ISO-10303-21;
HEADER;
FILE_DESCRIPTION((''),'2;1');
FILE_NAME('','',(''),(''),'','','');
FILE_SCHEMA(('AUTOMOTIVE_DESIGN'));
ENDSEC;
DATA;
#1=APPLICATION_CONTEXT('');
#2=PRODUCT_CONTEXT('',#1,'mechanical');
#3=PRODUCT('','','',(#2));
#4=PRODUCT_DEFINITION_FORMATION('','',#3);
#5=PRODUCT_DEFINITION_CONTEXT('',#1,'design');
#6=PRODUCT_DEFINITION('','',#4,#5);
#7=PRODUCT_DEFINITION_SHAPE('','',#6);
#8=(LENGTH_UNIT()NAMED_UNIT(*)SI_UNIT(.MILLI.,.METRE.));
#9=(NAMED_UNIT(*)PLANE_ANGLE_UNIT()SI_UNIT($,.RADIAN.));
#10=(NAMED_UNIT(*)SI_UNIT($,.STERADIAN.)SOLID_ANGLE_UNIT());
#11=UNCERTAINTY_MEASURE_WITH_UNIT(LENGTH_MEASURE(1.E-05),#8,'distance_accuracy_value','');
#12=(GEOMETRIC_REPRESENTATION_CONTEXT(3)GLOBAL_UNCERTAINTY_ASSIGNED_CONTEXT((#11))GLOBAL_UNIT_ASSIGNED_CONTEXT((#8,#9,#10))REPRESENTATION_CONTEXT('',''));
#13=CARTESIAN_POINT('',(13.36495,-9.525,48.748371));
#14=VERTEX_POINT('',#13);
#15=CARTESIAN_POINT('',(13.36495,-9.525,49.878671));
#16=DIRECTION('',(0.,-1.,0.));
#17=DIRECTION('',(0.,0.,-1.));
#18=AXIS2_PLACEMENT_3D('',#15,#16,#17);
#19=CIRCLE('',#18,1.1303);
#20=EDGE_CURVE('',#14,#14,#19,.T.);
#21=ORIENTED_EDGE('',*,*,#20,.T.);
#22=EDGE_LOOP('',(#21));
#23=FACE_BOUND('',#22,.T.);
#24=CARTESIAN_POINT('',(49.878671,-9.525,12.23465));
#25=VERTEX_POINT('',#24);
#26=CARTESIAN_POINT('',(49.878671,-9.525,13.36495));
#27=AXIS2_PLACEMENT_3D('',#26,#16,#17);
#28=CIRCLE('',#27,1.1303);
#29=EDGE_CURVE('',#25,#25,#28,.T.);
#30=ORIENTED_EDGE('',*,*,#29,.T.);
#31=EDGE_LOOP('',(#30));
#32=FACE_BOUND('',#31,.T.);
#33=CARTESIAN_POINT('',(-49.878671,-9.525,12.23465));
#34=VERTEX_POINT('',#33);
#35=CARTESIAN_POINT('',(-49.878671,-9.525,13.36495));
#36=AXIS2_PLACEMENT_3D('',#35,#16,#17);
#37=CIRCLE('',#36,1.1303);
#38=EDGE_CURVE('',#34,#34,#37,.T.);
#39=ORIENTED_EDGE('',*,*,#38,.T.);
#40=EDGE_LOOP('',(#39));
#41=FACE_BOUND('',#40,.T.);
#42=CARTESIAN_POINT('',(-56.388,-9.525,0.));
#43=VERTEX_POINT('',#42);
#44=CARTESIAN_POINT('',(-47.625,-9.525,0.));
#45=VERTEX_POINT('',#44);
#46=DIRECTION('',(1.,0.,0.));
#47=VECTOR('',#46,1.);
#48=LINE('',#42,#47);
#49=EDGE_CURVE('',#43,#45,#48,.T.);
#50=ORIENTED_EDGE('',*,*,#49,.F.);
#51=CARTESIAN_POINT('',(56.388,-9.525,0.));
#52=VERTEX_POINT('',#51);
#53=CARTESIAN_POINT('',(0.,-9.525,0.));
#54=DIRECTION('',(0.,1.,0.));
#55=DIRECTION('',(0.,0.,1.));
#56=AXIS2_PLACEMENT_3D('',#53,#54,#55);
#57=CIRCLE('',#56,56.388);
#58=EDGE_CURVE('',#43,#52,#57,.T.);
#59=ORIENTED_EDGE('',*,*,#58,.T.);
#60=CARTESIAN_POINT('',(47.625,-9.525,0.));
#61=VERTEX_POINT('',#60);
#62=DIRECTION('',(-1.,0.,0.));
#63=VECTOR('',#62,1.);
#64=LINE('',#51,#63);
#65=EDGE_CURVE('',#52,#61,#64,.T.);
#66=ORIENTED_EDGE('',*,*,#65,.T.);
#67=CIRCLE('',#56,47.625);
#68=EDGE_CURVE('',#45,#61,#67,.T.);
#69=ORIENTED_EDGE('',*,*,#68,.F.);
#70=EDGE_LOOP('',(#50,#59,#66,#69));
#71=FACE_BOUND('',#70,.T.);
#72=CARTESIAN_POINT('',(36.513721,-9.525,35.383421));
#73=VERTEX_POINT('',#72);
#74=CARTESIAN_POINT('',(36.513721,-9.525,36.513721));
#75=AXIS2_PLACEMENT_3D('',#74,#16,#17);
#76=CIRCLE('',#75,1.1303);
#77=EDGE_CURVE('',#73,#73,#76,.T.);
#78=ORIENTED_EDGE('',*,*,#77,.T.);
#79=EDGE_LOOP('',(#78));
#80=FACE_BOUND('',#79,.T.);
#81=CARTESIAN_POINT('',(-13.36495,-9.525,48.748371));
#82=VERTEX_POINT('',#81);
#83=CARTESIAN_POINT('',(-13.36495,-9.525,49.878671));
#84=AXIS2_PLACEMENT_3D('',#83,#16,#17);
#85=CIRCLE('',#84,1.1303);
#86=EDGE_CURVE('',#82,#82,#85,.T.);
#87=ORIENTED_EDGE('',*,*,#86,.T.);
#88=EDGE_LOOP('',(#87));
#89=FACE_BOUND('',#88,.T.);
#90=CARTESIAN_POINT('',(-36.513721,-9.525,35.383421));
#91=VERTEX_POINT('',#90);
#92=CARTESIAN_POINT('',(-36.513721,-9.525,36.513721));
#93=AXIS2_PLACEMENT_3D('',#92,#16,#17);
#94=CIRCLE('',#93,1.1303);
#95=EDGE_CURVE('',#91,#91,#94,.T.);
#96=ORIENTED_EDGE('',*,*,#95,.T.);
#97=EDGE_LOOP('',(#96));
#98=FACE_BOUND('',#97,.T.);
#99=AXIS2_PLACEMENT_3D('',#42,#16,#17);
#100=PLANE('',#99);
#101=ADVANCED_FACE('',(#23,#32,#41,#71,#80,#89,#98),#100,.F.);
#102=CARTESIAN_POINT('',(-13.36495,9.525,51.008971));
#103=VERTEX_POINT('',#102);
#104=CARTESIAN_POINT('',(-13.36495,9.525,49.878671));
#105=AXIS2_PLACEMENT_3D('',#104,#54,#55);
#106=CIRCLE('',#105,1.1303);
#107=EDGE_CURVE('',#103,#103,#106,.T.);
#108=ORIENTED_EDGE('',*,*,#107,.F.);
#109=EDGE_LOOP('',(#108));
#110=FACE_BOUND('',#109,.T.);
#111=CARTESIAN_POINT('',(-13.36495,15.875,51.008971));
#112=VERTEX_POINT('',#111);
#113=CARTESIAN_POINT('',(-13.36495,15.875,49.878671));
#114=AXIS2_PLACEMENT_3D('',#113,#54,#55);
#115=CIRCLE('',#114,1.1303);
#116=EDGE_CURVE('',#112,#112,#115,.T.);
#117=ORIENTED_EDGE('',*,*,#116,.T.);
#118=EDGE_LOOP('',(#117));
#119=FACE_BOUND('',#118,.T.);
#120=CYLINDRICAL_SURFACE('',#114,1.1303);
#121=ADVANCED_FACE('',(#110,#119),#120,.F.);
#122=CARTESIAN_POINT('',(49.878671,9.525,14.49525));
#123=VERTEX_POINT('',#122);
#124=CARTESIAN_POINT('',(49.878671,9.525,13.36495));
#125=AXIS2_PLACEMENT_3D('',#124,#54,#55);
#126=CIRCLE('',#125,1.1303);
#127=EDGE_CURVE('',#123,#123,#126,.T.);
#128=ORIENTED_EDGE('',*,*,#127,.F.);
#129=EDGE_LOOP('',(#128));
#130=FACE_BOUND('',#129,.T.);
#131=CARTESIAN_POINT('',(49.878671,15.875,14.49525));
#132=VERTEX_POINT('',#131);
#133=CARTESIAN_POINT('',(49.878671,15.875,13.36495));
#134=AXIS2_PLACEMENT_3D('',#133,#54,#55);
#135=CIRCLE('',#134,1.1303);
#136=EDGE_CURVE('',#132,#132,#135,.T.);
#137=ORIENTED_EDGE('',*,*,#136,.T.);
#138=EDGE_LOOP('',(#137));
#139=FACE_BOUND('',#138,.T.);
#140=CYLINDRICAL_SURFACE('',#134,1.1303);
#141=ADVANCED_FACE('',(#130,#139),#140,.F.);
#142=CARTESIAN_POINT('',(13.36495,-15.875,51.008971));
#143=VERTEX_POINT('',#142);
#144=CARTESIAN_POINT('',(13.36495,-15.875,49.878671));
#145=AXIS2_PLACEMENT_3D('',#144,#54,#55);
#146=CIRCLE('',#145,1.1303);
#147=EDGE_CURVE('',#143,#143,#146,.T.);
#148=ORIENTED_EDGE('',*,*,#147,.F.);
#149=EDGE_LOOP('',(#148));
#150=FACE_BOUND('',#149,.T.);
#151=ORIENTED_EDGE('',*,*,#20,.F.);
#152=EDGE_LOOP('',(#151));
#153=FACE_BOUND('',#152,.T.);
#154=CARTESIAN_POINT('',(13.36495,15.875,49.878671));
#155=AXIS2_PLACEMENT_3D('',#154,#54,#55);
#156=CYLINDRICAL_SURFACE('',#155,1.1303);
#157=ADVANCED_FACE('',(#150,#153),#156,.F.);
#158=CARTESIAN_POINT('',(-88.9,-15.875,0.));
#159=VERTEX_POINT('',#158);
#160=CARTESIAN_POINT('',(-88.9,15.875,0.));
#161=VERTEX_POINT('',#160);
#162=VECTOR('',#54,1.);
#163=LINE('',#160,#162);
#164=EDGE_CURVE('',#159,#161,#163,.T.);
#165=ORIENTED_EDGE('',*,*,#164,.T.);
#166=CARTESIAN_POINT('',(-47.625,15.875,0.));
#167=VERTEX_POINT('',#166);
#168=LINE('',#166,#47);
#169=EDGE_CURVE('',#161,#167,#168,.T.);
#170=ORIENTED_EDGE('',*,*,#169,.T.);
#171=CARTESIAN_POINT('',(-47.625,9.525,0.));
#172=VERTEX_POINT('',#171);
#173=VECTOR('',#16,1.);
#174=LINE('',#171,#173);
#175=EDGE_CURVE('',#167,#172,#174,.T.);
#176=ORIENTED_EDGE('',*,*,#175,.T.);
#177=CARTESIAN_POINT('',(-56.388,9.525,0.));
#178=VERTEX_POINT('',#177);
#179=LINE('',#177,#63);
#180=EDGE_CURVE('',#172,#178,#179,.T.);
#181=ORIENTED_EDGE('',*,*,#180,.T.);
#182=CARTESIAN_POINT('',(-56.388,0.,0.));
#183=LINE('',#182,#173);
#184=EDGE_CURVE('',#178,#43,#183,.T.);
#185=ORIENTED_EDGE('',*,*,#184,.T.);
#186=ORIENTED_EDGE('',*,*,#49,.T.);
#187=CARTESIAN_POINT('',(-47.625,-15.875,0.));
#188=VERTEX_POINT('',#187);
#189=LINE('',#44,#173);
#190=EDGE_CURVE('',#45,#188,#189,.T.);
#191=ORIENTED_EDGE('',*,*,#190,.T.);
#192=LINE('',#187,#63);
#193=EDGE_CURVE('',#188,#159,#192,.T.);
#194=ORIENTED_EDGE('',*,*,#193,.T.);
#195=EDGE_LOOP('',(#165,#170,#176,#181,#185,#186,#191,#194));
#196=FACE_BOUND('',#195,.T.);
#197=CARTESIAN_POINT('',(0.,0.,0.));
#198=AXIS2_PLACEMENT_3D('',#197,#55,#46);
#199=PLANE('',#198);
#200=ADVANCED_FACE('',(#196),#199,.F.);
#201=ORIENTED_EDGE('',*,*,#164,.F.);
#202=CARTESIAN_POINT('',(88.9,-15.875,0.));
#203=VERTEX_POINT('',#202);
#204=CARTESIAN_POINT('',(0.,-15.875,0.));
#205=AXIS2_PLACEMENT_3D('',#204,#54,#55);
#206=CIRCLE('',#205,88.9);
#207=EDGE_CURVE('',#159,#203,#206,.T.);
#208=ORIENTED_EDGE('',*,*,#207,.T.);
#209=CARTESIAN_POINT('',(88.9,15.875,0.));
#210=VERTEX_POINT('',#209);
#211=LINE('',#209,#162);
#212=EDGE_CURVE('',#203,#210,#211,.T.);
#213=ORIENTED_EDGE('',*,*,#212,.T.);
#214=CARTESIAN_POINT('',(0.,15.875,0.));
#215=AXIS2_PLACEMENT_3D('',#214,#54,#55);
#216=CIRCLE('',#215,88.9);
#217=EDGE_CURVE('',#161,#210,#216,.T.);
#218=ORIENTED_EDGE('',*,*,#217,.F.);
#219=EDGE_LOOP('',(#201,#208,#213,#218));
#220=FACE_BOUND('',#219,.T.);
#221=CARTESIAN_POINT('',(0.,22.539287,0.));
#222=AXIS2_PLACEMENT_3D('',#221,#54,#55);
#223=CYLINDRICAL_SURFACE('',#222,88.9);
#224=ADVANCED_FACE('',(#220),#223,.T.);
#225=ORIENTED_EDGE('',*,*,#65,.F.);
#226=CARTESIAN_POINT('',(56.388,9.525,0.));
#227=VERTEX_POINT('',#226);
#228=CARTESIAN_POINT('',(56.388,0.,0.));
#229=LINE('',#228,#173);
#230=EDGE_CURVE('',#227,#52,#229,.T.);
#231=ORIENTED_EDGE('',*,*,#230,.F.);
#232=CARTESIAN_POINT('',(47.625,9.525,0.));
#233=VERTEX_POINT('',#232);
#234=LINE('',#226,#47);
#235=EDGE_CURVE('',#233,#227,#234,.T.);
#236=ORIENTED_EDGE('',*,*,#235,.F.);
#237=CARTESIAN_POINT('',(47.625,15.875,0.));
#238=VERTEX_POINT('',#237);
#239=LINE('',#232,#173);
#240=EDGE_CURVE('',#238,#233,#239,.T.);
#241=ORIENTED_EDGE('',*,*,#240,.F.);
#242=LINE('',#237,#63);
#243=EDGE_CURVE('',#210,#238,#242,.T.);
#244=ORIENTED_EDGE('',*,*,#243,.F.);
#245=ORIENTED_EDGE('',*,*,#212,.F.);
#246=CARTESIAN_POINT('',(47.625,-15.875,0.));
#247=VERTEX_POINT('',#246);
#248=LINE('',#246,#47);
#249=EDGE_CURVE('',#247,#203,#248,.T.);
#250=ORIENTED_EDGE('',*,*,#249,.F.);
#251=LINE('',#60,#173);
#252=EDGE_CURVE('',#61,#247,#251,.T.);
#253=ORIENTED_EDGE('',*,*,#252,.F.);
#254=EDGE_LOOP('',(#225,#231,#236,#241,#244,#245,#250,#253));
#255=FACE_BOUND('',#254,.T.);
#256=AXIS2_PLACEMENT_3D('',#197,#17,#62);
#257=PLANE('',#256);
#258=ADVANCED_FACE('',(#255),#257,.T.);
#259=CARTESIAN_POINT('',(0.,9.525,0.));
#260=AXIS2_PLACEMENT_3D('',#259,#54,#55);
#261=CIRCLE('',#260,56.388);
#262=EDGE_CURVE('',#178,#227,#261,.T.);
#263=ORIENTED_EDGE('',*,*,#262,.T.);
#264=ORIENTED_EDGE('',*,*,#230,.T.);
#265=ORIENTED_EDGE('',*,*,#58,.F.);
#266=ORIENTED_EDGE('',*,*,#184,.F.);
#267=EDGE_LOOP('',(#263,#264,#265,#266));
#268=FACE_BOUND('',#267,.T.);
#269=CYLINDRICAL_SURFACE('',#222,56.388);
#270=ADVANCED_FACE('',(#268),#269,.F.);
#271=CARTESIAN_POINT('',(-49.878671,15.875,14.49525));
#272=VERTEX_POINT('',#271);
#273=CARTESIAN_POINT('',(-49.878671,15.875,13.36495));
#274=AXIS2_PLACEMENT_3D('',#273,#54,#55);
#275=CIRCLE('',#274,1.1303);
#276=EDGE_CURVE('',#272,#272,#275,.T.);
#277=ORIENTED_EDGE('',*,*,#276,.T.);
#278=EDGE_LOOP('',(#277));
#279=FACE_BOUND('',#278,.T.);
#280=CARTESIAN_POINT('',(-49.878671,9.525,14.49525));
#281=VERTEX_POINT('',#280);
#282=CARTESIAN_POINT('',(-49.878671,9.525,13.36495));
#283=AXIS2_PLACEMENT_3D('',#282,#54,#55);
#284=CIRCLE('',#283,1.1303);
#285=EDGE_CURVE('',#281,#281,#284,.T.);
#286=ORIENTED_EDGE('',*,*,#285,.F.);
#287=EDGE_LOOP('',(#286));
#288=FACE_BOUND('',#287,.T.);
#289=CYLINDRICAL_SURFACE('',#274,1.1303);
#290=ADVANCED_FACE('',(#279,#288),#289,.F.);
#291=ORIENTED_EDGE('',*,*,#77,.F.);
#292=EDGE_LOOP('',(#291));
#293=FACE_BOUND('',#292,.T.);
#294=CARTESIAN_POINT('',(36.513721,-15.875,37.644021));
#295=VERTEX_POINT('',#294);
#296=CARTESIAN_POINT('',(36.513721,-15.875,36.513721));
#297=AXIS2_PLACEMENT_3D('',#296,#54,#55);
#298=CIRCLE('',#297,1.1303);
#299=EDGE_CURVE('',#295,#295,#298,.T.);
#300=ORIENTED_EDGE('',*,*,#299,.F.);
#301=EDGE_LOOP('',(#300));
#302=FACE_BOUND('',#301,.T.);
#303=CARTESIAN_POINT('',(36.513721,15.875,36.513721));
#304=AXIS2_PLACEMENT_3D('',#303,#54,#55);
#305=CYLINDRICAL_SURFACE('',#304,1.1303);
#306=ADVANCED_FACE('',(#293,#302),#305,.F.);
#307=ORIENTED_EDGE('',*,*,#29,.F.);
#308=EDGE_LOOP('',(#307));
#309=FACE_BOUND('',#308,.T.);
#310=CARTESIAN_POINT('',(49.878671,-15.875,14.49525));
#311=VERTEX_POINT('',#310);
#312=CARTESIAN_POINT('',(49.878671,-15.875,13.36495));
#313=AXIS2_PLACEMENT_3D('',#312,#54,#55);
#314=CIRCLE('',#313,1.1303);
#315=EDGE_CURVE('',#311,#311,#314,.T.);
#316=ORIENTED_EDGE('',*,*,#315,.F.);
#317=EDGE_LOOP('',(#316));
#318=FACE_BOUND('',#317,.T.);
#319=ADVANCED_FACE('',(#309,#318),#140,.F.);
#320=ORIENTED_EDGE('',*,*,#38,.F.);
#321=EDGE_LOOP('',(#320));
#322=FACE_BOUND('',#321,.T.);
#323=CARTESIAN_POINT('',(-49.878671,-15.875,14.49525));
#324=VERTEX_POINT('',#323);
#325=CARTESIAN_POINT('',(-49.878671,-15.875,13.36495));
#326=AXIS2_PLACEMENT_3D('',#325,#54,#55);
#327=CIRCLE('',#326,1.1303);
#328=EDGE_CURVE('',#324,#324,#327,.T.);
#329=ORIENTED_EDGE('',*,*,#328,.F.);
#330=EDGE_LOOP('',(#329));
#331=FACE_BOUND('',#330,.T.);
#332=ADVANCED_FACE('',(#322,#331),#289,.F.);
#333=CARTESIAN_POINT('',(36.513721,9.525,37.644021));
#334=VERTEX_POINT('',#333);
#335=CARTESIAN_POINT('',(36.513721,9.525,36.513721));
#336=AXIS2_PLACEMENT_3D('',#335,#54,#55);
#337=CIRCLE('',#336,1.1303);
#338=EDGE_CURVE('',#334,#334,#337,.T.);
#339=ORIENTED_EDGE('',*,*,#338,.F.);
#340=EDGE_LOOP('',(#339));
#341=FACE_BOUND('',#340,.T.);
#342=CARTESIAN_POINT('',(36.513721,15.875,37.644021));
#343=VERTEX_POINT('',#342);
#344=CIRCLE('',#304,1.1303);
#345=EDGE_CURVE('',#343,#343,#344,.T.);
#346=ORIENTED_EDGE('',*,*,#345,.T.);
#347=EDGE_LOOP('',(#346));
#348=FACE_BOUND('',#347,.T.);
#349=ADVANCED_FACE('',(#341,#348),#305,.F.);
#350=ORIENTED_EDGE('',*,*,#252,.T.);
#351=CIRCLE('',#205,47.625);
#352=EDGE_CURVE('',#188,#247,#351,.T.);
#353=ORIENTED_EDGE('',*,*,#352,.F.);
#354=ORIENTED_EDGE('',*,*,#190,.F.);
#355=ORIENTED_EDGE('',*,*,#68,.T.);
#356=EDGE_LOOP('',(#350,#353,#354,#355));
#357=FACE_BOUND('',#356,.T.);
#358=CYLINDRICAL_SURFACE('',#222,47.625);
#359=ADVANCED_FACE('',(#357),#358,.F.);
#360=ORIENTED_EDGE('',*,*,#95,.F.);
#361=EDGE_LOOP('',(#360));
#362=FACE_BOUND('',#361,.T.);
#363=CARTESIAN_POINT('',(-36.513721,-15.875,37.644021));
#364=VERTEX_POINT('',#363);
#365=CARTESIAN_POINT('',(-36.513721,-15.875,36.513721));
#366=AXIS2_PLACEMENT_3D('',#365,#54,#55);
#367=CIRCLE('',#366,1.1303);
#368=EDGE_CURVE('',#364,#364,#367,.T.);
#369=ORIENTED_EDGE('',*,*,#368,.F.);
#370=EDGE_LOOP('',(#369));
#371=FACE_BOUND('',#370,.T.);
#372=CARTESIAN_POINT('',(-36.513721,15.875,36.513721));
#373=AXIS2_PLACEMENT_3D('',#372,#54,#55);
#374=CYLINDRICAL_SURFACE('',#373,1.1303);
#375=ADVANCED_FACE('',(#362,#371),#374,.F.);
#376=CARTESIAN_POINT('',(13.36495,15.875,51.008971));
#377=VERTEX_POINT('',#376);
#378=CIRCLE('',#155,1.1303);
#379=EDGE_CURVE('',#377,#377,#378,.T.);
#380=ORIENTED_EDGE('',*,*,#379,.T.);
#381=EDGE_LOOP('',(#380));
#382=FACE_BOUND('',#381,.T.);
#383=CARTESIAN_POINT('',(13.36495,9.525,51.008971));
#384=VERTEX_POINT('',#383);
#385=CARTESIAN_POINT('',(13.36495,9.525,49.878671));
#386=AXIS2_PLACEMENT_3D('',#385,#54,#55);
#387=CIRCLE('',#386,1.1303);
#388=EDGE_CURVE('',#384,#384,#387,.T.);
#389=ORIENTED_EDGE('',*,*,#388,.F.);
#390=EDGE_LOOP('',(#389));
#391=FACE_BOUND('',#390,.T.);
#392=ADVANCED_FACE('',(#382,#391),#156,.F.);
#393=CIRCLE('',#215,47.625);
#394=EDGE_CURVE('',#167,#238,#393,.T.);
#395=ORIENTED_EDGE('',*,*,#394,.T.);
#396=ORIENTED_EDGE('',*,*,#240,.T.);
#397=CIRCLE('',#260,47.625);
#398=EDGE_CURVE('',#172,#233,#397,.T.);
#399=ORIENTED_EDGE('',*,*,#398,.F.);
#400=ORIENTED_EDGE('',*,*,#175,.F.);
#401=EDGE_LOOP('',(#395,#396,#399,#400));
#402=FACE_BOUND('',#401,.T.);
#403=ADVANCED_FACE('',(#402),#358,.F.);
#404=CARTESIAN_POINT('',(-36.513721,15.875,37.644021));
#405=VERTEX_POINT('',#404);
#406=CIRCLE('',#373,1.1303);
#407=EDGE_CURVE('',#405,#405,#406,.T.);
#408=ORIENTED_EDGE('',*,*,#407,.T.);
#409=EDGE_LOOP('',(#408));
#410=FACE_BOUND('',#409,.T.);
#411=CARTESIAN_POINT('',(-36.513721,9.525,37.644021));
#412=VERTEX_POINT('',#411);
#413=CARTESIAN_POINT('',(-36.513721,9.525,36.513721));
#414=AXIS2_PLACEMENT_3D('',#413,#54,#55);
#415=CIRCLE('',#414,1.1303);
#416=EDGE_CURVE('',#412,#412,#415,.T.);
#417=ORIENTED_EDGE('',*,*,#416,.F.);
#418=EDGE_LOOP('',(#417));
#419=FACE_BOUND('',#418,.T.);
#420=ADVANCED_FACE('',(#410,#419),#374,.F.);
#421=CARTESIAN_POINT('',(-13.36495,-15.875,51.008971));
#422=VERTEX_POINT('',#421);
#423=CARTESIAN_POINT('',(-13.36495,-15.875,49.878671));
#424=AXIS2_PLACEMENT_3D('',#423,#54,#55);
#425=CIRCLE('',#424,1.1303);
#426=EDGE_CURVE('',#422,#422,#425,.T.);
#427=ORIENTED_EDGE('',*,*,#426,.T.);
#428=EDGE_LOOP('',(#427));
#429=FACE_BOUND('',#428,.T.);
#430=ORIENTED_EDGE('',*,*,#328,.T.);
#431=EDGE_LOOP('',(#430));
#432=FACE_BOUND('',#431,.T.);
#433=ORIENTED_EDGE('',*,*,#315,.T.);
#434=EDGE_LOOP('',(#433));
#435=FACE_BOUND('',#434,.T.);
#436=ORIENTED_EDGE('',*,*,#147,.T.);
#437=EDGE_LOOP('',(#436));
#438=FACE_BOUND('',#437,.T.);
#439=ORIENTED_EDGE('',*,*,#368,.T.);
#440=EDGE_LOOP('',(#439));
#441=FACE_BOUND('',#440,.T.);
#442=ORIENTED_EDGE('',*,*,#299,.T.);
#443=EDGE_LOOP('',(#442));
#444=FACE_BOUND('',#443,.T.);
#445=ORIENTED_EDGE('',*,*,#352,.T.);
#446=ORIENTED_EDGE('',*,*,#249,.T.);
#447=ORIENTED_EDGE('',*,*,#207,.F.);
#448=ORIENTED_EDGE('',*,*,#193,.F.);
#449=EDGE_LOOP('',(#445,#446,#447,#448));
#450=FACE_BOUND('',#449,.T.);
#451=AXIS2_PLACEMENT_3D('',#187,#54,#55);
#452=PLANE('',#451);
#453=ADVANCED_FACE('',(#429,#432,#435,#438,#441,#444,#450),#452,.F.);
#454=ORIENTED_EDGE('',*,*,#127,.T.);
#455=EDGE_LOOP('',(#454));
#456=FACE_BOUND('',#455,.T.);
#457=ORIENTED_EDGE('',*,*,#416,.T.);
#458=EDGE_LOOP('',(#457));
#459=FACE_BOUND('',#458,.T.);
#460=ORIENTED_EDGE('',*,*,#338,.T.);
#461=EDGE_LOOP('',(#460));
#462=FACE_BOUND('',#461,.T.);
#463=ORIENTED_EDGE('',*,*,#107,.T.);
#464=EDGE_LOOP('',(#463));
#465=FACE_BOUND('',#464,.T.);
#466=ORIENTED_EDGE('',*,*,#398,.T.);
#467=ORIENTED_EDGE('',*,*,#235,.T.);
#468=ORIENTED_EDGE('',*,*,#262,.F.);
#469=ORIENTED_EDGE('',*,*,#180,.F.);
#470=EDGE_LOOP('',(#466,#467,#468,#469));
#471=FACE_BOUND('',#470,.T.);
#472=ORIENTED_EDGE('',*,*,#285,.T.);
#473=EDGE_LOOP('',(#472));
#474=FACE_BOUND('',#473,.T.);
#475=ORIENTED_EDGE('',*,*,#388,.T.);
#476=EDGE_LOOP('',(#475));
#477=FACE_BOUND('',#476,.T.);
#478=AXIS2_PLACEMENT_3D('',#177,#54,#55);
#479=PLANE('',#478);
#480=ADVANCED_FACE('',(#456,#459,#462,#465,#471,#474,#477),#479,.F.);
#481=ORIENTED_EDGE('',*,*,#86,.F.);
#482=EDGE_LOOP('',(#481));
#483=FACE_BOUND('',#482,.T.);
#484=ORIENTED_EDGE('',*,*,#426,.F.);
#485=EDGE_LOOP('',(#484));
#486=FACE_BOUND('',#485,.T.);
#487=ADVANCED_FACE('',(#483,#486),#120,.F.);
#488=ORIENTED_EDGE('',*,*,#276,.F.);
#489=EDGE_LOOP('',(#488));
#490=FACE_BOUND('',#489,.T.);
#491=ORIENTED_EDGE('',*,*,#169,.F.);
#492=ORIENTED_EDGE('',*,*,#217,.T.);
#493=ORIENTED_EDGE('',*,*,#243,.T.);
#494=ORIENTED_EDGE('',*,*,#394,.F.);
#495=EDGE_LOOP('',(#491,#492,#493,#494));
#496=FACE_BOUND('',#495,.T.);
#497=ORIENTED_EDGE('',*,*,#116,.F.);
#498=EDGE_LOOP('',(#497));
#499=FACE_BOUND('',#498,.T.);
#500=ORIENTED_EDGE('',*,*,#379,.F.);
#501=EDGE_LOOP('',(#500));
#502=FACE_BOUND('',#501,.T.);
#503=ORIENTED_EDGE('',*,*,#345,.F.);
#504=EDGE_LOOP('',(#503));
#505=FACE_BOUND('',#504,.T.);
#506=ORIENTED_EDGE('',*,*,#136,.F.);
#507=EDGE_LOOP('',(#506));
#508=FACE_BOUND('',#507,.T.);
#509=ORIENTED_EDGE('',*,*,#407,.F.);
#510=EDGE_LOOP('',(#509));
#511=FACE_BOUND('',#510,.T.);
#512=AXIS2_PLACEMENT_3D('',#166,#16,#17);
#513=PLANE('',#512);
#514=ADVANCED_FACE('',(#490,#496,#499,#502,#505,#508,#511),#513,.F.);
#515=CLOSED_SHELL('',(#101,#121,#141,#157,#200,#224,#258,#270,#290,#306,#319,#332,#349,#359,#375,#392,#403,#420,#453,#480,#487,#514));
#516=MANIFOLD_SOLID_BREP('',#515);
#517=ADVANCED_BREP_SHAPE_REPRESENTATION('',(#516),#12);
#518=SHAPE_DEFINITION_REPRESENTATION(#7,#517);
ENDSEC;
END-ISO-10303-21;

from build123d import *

# Parameters (mm, degrees)
REVOLVE1_ANGLE            = 180
TAP_DRILL_FOR_4_40_TAP1_D = 2.2606
CIRPATTERN1_COUNT         = 12


with BuildPart() as part:
    # Sketch1 → Revolve1 (revolve)
    with BuildSketch(Plane.XY):
        Polygon((56.388, 0), (56.388, 9.525), (47.625, 9.525), (47.625, 15.875), (88.9, 15.875), (88.9, -15.875), (47.625, -15.875), (47.625, -9.525), (56.388, -9.525), align=None)
    revolve(axis=Axis((0, 22.539286723, 0), (0, -1, 0)), revolution_arc=REVOLVE1_ANGLE)

    # Tap Drill for #4-40 Tap1 (through all)
    with Locations(Plane(origin=(49.878671003, 15.875, 13.364949615), x_dir=(0, 0, 1), z_dir=(0, 1, 0))):
        with Locations((0, 0)):
            tap_drill_for_4_40_tap1 = Hole(TAP_DRILL_FOR_4_40_TAP1_D / 2)

    # CirPattern1: Tap Drill for #4-40 Tap1 ×12 about axis, 6 skipped
    cirpattern1_axis = Axis((0, 15.875, 0), (0, 1, 0))
    add([tap_drill_for_4_40_tap1.rotate(cirpattern1_axis, i * 360 / CIRPATTERN1_COUNT) for i in range(1, CIRPATTERN1_COUNT) if i not in (1, 2, 3, 4, 5, 6)], mode=Mode.SUBTRACT)


solid = part.part
